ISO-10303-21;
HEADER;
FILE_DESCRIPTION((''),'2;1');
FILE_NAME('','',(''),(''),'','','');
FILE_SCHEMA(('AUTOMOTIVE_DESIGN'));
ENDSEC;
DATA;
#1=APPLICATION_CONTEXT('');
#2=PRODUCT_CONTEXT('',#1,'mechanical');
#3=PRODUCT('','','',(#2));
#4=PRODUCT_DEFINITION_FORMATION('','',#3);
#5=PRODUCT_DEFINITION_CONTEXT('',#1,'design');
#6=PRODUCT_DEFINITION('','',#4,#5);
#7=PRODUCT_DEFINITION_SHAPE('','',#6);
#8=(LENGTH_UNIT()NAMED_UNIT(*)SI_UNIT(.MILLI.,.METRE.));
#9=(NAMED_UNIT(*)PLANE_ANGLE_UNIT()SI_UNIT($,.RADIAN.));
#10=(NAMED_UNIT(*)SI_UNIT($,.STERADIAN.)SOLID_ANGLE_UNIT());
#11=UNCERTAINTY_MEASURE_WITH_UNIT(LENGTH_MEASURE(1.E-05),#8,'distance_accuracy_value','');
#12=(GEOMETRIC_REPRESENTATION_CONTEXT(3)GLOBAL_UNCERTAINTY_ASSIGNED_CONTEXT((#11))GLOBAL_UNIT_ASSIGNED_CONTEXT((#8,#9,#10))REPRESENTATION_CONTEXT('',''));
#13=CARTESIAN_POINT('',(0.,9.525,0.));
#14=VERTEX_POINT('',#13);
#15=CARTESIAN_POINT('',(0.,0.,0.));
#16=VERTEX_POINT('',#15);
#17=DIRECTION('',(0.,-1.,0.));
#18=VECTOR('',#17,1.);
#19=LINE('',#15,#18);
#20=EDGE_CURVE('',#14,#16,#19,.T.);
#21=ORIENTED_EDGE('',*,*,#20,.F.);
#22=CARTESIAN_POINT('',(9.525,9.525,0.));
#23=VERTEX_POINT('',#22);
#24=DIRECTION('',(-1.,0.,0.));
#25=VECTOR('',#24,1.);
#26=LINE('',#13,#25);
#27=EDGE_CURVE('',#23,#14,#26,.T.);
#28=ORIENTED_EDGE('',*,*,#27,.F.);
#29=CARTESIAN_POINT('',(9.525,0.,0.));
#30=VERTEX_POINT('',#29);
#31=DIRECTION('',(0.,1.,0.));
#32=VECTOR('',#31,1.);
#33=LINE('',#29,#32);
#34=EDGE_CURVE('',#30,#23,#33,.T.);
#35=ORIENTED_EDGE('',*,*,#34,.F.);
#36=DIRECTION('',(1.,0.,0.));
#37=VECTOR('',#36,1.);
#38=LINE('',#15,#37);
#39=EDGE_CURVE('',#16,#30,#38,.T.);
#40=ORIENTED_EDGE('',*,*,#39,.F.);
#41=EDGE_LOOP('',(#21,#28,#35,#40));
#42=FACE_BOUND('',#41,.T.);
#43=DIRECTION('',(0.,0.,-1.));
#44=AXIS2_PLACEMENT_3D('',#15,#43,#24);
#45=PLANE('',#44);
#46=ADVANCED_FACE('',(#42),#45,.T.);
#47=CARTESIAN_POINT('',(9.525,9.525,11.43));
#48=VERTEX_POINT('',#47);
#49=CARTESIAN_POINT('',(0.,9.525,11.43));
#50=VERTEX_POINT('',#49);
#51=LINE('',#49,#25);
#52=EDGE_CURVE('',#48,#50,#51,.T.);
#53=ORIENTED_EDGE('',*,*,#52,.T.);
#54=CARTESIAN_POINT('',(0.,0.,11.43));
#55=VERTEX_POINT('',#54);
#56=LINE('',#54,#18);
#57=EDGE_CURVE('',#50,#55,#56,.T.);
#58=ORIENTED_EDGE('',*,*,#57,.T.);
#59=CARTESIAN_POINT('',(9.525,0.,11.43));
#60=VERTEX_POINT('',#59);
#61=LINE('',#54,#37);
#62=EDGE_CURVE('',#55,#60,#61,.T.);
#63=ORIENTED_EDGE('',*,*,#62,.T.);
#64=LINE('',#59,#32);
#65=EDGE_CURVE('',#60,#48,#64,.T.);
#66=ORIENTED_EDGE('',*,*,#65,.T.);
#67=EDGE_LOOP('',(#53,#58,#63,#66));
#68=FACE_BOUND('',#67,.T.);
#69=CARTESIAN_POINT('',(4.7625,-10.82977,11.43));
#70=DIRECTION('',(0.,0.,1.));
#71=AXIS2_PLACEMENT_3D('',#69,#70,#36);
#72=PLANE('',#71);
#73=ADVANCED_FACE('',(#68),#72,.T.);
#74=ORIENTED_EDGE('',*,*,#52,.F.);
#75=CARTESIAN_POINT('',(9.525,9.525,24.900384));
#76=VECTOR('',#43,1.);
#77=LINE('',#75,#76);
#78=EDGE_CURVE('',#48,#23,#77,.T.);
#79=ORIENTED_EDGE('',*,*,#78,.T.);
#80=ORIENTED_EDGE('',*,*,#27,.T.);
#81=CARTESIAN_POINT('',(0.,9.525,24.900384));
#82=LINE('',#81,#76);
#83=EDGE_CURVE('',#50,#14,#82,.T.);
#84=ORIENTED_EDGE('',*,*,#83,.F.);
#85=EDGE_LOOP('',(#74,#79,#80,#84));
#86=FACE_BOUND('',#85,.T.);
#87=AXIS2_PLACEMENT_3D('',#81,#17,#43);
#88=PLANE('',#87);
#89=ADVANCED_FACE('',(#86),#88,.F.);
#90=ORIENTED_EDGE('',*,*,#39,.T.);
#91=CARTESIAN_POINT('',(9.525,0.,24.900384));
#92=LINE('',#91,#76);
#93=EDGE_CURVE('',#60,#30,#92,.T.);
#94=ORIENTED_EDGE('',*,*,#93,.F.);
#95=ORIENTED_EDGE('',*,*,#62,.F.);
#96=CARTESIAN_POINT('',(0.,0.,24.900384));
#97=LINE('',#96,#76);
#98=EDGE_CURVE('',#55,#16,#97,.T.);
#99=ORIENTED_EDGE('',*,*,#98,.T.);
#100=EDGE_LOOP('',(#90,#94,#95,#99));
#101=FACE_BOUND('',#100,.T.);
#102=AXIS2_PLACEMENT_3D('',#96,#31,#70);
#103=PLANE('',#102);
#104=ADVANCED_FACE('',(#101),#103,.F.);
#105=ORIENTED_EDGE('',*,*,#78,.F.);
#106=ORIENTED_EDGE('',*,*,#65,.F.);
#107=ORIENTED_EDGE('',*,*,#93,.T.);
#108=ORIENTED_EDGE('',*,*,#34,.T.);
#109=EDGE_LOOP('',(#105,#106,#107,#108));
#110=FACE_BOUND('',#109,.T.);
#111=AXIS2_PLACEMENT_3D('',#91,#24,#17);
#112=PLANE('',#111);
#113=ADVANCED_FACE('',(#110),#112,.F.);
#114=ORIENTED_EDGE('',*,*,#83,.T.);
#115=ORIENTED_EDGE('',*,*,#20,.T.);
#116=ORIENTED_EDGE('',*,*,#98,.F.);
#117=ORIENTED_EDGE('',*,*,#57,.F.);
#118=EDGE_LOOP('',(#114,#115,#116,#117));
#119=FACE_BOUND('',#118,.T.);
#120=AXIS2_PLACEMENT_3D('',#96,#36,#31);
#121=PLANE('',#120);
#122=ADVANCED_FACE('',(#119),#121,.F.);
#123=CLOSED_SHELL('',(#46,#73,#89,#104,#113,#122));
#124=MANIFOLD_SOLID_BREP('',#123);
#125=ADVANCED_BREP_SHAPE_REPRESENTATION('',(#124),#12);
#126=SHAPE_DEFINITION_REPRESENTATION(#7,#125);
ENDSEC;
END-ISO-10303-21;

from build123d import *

# Parameters (mm, degrees)
SKETCH1_W           = 9.525
SKETCH1_H           = 9.525
BOSS_EXTRUDE1_DEPTH = 11.43


with BuildPart() as part:
    # Sketch1 → Boss-Extrude1 (new body)
    with BuildSketch(Plane.XY):
        with Locations((4.7625, 4.7625)):
            Rectangle(SKETCH1_W, SKETCH1_H)
    extrude(amount=BOSS_EXTRUDE1_DEPTH)


solid = part.part
